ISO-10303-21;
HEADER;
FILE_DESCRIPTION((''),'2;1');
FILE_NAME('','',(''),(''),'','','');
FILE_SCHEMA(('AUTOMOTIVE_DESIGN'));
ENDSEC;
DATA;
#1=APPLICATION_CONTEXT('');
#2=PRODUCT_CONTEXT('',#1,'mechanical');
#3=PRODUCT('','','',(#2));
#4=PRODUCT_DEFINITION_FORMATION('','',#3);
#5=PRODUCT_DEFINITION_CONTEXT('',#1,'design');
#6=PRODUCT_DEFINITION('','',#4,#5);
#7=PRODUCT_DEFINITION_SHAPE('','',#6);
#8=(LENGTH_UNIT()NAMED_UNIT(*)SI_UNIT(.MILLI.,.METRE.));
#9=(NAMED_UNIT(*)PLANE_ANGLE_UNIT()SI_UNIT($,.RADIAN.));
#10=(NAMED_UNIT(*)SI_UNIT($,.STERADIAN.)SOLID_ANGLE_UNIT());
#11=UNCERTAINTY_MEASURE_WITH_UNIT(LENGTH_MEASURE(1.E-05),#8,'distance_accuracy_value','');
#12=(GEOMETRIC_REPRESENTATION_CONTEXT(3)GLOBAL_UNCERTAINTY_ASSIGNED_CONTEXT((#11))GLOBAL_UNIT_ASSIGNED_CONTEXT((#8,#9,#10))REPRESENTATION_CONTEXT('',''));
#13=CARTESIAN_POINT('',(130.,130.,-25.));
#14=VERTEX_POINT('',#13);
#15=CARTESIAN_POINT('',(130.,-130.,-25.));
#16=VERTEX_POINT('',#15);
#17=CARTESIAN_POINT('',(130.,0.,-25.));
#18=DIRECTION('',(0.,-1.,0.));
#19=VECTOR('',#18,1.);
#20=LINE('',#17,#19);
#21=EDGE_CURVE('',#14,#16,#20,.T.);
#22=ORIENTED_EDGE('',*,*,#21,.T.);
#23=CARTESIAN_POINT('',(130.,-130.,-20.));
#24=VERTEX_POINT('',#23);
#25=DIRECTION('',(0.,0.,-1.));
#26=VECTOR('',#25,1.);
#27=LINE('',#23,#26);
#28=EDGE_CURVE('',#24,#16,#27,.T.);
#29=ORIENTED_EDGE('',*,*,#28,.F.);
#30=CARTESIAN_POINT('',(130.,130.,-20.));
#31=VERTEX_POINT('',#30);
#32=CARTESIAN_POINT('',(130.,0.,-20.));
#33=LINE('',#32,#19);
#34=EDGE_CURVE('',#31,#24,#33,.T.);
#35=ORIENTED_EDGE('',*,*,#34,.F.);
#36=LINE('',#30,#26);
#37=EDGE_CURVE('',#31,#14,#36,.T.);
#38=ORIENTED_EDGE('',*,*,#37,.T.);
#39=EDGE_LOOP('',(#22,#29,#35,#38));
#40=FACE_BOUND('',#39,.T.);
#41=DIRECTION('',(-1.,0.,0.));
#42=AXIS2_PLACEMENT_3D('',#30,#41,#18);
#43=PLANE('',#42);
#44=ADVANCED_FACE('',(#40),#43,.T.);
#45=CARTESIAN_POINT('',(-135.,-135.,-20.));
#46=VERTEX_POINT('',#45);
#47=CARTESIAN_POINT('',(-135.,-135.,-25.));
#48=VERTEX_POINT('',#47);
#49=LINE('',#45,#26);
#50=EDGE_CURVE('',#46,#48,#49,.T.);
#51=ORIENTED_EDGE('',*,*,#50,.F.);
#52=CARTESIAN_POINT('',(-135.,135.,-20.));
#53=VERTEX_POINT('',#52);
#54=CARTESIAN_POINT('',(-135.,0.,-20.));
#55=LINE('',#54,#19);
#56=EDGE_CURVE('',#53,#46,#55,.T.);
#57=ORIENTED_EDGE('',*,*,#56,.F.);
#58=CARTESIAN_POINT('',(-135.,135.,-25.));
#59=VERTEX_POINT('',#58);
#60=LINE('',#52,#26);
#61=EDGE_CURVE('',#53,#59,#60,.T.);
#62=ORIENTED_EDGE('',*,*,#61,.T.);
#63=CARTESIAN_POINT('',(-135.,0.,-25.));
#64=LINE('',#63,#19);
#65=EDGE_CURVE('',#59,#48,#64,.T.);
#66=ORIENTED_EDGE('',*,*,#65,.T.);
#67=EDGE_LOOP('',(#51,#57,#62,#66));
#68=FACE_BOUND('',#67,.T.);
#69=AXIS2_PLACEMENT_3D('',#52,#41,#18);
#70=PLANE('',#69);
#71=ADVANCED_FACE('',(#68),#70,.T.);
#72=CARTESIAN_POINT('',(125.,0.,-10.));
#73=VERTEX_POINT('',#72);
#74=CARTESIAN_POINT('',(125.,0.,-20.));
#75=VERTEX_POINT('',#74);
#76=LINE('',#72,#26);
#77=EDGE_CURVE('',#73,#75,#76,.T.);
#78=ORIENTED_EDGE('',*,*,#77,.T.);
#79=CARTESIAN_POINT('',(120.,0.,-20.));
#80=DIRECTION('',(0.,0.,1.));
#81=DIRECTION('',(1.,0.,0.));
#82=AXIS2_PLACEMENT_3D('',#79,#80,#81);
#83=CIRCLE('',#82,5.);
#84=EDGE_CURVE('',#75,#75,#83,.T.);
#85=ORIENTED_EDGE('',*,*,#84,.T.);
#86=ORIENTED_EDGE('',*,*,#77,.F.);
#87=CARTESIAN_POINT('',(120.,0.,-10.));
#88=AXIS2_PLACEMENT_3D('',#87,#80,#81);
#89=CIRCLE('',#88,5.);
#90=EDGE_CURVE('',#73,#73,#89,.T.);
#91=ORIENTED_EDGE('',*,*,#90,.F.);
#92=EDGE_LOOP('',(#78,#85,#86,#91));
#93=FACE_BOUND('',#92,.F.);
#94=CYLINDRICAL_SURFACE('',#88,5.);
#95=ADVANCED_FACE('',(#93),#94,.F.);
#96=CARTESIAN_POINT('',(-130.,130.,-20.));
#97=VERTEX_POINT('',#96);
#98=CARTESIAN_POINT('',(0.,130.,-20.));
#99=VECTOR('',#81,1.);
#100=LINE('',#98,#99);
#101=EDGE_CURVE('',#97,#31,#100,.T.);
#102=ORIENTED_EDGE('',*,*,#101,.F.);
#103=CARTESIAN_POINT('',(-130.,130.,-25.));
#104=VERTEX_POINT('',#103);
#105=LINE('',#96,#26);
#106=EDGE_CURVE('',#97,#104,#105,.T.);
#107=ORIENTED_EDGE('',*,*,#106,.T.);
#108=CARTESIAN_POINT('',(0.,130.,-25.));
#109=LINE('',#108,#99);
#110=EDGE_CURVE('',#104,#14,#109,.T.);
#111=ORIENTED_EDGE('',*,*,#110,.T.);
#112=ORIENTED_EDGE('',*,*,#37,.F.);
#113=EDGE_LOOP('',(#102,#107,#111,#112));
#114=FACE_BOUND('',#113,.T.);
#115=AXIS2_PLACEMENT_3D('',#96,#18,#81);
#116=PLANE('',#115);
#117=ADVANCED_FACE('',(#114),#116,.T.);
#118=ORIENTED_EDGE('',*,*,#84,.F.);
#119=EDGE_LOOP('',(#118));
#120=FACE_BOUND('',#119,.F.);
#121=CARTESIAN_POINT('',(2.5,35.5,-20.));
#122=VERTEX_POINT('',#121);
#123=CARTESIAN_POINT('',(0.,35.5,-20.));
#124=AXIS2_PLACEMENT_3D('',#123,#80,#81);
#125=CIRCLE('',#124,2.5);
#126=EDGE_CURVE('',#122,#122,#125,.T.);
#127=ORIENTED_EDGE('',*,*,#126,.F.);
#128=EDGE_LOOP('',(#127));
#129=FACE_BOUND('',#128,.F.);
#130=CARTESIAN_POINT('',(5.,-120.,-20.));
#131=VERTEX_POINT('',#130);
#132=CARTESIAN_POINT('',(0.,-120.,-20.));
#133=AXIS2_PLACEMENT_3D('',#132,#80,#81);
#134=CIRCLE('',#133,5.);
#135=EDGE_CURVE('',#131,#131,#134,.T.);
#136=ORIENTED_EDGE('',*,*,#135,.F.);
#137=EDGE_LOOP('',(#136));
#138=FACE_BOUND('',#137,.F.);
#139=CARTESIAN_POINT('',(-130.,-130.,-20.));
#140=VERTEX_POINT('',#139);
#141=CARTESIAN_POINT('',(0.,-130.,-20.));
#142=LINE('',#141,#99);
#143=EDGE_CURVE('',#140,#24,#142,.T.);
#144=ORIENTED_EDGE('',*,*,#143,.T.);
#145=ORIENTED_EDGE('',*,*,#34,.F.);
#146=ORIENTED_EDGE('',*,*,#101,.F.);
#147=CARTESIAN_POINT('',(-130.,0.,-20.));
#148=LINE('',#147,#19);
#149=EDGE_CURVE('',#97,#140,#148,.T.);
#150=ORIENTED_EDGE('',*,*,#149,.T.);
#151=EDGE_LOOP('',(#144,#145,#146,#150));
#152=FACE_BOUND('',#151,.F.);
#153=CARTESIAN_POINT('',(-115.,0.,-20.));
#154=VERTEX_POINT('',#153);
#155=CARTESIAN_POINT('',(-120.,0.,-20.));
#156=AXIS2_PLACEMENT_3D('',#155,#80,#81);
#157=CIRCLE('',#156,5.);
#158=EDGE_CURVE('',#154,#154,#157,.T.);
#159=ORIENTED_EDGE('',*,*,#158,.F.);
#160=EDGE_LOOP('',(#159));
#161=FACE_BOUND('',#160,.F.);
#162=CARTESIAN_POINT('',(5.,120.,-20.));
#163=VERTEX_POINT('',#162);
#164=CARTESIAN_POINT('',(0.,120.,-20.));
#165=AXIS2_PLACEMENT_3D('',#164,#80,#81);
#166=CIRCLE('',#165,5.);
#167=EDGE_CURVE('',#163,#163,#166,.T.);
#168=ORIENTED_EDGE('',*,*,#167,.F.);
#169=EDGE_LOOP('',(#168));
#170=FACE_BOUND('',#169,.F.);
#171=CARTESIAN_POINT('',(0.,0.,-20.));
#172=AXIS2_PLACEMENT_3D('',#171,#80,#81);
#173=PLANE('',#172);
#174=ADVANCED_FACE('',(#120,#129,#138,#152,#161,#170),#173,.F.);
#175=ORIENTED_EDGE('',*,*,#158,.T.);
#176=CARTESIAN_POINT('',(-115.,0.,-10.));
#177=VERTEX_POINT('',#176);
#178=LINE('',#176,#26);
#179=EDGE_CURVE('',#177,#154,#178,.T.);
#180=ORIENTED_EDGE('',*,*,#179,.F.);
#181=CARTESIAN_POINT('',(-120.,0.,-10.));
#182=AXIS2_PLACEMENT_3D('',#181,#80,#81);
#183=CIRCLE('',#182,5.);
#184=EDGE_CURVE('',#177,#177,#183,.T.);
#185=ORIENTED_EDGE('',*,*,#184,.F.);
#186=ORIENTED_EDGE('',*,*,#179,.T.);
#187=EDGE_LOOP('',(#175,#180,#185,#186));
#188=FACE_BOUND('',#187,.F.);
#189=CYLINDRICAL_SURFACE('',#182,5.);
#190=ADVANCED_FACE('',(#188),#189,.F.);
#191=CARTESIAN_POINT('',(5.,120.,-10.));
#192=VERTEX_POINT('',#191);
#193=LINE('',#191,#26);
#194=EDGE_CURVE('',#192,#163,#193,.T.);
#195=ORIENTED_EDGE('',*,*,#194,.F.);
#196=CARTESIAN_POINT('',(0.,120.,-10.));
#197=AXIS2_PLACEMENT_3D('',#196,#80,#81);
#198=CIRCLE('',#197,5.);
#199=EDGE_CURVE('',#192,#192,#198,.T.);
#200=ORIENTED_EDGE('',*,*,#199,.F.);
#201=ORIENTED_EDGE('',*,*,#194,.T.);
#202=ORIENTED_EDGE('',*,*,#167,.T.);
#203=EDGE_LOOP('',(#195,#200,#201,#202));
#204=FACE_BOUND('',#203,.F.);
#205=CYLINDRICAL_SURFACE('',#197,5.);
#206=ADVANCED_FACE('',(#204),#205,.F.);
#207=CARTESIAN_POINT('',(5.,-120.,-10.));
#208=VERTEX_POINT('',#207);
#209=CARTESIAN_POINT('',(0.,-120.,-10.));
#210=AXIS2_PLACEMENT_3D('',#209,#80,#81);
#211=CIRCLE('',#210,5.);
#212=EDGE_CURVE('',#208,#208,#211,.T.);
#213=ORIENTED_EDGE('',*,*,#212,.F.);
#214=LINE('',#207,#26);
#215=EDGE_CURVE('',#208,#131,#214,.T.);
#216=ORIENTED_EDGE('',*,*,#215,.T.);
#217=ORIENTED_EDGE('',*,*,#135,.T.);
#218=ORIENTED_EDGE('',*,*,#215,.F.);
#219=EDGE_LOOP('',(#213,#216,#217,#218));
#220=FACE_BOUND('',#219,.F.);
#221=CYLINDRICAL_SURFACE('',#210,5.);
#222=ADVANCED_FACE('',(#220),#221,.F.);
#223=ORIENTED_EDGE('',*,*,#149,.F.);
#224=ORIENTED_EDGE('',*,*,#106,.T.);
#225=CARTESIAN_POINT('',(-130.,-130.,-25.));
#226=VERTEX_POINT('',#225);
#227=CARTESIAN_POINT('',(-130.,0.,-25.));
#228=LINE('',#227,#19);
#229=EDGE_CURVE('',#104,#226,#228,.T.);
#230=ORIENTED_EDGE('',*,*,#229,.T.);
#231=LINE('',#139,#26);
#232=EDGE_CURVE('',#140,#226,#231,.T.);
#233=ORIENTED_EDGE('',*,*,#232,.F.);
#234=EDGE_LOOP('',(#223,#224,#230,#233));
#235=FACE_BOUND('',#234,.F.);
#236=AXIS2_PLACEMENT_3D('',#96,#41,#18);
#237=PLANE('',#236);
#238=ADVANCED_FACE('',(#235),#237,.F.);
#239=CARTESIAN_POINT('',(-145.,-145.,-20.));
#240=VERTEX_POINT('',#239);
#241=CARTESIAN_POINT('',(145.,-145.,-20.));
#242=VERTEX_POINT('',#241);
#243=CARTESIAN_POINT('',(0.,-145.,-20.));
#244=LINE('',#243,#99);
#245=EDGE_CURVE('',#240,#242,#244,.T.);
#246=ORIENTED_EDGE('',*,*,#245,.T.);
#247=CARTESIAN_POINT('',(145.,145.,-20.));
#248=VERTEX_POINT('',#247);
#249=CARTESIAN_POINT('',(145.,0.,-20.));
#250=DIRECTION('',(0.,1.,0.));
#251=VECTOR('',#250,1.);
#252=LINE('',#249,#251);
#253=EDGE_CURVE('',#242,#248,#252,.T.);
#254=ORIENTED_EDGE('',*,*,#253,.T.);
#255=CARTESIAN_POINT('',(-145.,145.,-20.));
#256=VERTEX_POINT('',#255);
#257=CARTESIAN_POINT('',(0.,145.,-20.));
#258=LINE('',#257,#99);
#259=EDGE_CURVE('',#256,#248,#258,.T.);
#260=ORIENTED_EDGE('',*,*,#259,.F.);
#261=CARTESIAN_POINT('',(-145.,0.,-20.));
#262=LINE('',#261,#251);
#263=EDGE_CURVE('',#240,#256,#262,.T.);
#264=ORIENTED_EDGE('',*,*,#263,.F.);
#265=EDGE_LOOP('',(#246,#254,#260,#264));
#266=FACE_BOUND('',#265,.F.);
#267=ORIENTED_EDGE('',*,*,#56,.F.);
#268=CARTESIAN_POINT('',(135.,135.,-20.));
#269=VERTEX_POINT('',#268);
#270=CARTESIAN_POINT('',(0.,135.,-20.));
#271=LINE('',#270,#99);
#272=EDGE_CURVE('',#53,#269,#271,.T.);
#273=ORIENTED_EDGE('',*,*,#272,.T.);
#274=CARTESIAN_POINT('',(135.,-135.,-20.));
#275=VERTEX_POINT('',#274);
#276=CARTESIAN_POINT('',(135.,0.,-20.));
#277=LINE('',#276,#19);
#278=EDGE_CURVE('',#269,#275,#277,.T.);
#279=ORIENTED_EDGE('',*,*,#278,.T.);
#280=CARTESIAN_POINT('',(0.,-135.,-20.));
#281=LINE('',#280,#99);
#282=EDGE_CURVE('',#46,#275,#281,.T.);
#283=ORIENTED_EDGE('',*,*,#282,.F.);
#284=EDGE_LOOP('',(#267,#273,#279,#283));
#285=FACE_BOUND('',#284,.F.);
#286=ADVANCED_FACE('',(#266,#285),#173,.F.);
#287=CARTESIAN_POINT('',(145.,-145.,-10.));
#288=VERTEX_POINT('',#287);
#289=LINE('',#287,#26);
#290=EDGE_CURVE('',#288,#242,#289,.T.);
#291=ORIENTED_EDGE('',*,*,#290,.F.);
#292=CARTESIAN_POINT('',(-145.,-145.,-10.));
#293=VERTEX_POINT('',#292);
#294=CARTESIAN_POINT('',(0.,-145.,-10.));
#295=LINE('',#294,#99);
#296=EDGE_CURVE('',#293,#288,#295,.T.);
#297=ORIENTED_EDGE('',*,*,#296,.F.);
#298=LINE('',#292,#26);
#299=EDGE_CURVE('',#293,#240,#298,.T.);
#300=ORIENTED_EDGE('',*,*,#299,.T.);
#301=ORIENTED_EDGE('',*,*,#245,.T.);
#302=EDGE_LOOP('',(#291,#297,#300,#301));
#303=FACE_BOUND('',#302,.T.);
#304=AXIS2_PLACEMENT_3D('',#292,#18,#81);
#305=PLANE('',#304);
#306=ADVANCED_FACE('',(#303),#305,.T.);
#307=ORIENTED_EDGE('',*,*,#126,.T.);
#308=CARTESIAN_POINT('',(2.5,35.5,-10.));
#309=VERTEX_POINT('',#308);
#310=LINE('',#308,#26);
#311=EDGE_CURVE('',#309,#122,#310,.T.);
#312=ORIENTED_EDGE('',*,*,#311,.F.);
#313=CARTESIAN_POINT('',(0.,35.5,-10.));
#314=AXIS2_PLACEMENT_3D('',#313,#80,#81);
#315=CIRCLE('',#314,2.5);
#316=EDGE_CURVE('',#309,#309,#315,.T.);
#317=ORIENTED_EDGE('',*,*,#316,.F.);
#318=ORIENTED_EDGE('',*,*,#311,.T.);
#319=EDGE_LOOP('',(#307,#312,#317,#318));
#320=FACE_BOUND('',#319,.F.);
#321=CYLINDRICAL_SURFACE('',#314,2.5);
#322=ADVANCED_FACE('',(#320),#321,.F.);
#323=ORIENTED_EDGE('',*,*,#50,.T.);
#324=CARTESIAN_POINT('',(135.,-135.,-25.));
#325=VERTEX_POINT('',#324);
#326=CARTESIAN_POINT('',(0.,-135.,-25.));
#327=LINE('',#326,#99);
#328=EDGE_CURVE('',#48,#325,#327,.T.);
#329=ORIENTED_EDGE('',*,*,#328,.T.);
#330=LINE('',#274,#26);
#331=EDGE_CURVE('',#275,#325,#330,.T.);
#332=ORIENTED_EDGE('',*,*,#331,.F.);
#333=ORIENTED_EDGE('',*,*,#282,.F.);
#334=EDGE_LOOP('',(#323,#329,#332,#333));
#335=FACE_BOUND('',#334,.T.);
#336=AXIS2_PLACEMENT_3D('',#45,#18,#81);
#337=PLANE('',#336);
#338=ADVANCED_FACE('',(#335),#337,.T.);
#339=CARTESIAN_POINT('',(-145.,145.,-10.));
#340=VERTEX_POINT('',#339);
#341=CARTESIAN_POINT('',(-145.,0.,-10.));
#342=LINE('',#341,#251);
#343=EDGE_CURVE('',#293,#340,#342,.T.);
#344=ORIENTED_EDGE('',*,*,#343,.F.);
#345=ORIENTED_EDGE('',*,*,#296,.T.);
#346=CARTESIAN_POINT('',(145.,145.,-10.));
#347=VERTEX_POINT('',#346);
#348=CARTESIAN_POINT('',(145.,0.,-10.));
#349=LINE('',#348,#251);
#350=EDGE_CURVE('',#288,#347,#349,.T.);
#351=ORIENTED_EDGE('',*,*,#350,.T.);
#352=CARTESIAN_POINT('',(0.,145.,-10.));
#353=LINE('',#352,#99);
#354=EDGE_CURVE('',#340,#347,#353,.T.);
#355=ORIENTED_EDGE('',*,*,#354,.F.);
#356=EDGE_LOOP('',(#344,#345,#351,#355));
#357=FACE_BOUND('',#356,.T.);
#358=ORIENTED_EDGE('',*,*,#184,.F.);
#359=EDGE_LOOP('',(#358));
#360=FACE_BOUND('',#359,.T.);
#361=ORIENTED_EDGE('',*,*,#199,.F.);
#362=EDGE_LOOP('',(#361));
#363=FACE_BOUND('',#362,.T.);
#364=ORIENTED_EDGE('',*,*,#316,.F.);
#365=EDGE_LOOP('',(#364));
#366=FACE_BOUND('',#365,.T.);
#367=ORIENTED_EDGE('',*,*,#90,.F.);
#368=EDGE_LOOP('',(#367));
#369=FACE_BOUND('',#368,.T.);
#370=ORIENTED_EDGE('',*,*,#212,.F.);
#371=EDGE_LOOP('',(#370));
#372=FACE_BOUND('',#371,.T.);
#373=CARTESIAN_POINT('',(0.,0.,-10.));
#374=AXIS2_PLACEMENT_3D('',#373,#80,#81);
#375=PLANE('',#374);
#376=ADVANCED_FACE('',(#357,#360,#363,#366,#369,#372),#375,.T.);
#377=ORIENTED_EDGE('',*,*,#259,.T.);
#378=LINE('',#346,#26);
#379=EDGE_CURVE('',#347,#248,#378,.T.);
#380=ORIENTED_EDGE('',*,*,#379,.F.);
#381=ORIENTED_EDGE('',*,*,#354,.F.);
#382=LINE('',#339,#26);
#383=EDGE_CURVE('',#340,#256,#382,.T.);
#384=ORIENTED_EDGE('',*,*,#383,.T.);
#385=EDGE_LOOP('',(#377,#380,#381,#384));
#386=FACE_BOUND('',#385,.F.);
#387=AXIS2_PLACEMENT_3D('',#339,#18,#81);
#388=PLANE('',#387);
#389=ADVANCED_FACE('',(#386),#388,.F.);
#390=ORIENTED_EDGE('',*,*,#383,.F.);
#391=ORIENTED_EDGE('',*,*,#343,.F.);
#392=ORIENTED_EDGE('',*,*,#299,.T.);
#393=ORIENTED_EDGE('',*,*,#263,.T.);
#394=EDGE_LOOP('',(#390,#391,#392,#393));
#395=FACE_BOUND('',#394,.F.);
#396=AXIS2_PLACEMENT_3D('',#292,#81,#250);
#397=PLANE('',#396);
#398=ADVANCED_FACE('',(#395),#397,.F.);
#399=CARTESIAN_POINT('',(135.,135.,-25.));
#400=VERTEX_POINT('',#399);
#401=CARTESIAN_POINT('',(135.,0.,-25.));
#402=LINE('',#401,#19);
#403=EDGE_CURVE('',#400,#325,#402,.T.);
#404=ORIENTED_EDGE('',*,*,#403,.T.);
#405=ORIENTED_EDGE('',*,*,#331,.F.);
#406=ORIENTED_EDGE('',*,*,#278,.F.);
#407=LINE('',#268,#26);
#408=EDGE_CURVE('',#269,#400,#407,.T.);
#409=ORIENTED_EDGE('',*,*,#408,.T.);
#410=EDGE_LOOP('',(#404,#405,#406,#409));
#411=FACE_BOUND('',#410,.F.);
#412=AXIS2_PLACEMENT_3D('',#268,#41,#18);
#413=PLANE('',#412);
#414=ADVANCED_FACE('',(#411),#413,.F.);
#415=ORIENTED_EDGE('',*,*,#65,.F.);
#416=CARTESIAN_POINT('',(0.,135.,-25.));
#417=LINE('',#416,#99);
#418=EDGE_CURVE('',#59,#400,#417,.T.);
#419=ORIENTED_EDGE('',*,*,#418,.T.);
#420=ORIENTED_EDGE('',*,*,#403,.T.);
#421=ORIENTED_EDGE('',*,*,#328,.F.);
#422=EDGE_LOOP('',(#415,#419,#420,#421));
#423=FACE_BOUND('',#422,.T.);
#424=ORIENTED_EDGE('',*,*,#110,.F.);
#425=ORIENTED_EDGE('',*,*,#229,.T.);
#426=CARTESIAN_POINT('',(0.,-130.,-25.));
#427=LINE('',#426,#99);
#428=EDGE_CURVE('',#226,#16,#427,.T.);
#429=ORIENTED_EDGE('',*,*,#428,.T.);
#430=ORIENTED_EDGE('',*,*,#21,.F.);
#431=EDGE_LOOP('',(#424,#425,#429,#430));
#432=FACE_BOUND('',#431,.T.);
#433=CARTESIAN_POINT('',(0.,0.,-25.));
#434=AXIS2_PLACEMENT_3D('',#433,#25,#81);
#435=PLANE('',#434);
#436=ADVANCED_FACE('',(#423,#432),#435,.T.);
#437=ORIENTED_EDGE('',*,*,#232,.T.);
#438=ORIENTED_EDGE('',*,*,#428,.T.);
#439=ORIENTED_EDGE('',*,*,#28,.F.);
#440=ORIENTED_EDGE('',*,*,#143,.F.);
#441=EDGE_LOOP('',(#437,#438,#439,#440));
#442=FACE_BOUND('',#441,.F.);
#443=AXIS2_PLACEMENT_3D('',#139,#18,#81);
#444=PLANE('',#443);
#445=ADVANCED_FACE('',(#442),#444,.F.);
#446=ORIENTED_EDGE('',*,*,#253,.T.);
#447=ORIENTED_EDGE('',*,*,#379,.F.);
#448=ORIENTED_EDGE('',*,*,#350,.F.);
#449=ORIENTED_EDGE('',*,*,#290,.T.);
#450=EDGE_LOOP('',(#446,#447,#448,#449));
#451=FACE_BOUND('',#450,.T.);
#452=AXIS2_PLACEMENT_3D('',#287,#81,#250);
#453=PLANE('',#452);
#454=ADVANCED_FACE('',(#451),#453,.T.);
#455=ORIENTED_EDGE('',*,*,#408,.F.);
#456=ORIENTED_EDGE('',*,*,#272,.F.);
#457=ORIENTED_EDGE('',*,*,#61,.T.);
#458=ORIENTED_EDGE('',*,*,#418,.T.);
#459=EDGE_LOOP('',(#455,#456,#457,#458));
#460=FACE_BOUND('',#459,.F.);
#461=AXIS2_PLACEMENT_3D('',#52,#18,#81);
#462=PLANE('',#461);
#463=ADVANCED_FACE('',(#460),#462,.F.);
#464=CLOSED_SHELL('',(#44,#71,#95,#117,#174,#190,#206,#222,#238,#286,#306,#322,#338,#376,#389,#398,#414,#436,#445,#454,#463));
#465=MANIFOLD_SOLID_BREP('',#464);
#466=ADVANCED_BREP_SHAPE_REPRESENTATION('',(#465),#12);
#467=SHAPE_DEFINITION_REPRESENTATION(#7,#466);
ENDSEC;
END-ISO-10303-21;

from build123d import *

# Parameters (mm, degrees)
SKETCH105_W     = 290
SKETCH105_H     = 290
PAD053_DEPTH    = 10
SKETCH106_R     = 5
SKETCH106_R_2   = 2.5
POCKET048_DEPTH = 10.001
SKETCH107_W     = 270
SKETCH107_H     = 270
SKETCH107_W_2   = 260
SKETCH107_H_2   = 260
PAD054_DEPTH    = 5


with BuildPart() as part:
    # Sketch105 → Pad053 (new body)
    with BuildSketch(Plane.XY):
        Rectangle(SKETCH105_W, SKETCH105_H)
    extrude(amount=-PAD053_DEPTH)

    # Sketch106 (on Face5 of Pad053) → Pocket048 (cut, through all)
    with BuildSketch(Plane.XY):
        with Locations((-120, 0)):
            Circle(SKETCH106_R)
        with Locations((0, 120)):
            Circle(SKETCH106_R)
        with Locations((120, 0)):
            Circle(SKETCH106_R)
        with Locations((0, -120)):
            Circle(SKETCH106_R)
        with Locations((0, 35.5)):
            Circle(SKETCH106_R_2)
    extrude(amount=-POCKET048_DEPTH, mode=Mode.SUBTRACT)

    # Sketch107 (on Face5 of Pocket048) → Pad054 (join)
    with BuildSketch(Plane(origin=(0, 0, -10), x_dir=(1, 0, 0), z_dir=(0, 0, -1))):
        Rectangle(SKETCH107_W, SKETCH107_H)
        Rectangle(SKETCH107_W_2, SKETCH107_H_2, mode=Mode.SUBTRACT)
    extrude(amount=PAD054_DEPTH)


with BuildPart() as part_1:
    # Body028 placement: moved
    add(part.part.moved(Location((0, 0, -10))))


solid = part_1.part
